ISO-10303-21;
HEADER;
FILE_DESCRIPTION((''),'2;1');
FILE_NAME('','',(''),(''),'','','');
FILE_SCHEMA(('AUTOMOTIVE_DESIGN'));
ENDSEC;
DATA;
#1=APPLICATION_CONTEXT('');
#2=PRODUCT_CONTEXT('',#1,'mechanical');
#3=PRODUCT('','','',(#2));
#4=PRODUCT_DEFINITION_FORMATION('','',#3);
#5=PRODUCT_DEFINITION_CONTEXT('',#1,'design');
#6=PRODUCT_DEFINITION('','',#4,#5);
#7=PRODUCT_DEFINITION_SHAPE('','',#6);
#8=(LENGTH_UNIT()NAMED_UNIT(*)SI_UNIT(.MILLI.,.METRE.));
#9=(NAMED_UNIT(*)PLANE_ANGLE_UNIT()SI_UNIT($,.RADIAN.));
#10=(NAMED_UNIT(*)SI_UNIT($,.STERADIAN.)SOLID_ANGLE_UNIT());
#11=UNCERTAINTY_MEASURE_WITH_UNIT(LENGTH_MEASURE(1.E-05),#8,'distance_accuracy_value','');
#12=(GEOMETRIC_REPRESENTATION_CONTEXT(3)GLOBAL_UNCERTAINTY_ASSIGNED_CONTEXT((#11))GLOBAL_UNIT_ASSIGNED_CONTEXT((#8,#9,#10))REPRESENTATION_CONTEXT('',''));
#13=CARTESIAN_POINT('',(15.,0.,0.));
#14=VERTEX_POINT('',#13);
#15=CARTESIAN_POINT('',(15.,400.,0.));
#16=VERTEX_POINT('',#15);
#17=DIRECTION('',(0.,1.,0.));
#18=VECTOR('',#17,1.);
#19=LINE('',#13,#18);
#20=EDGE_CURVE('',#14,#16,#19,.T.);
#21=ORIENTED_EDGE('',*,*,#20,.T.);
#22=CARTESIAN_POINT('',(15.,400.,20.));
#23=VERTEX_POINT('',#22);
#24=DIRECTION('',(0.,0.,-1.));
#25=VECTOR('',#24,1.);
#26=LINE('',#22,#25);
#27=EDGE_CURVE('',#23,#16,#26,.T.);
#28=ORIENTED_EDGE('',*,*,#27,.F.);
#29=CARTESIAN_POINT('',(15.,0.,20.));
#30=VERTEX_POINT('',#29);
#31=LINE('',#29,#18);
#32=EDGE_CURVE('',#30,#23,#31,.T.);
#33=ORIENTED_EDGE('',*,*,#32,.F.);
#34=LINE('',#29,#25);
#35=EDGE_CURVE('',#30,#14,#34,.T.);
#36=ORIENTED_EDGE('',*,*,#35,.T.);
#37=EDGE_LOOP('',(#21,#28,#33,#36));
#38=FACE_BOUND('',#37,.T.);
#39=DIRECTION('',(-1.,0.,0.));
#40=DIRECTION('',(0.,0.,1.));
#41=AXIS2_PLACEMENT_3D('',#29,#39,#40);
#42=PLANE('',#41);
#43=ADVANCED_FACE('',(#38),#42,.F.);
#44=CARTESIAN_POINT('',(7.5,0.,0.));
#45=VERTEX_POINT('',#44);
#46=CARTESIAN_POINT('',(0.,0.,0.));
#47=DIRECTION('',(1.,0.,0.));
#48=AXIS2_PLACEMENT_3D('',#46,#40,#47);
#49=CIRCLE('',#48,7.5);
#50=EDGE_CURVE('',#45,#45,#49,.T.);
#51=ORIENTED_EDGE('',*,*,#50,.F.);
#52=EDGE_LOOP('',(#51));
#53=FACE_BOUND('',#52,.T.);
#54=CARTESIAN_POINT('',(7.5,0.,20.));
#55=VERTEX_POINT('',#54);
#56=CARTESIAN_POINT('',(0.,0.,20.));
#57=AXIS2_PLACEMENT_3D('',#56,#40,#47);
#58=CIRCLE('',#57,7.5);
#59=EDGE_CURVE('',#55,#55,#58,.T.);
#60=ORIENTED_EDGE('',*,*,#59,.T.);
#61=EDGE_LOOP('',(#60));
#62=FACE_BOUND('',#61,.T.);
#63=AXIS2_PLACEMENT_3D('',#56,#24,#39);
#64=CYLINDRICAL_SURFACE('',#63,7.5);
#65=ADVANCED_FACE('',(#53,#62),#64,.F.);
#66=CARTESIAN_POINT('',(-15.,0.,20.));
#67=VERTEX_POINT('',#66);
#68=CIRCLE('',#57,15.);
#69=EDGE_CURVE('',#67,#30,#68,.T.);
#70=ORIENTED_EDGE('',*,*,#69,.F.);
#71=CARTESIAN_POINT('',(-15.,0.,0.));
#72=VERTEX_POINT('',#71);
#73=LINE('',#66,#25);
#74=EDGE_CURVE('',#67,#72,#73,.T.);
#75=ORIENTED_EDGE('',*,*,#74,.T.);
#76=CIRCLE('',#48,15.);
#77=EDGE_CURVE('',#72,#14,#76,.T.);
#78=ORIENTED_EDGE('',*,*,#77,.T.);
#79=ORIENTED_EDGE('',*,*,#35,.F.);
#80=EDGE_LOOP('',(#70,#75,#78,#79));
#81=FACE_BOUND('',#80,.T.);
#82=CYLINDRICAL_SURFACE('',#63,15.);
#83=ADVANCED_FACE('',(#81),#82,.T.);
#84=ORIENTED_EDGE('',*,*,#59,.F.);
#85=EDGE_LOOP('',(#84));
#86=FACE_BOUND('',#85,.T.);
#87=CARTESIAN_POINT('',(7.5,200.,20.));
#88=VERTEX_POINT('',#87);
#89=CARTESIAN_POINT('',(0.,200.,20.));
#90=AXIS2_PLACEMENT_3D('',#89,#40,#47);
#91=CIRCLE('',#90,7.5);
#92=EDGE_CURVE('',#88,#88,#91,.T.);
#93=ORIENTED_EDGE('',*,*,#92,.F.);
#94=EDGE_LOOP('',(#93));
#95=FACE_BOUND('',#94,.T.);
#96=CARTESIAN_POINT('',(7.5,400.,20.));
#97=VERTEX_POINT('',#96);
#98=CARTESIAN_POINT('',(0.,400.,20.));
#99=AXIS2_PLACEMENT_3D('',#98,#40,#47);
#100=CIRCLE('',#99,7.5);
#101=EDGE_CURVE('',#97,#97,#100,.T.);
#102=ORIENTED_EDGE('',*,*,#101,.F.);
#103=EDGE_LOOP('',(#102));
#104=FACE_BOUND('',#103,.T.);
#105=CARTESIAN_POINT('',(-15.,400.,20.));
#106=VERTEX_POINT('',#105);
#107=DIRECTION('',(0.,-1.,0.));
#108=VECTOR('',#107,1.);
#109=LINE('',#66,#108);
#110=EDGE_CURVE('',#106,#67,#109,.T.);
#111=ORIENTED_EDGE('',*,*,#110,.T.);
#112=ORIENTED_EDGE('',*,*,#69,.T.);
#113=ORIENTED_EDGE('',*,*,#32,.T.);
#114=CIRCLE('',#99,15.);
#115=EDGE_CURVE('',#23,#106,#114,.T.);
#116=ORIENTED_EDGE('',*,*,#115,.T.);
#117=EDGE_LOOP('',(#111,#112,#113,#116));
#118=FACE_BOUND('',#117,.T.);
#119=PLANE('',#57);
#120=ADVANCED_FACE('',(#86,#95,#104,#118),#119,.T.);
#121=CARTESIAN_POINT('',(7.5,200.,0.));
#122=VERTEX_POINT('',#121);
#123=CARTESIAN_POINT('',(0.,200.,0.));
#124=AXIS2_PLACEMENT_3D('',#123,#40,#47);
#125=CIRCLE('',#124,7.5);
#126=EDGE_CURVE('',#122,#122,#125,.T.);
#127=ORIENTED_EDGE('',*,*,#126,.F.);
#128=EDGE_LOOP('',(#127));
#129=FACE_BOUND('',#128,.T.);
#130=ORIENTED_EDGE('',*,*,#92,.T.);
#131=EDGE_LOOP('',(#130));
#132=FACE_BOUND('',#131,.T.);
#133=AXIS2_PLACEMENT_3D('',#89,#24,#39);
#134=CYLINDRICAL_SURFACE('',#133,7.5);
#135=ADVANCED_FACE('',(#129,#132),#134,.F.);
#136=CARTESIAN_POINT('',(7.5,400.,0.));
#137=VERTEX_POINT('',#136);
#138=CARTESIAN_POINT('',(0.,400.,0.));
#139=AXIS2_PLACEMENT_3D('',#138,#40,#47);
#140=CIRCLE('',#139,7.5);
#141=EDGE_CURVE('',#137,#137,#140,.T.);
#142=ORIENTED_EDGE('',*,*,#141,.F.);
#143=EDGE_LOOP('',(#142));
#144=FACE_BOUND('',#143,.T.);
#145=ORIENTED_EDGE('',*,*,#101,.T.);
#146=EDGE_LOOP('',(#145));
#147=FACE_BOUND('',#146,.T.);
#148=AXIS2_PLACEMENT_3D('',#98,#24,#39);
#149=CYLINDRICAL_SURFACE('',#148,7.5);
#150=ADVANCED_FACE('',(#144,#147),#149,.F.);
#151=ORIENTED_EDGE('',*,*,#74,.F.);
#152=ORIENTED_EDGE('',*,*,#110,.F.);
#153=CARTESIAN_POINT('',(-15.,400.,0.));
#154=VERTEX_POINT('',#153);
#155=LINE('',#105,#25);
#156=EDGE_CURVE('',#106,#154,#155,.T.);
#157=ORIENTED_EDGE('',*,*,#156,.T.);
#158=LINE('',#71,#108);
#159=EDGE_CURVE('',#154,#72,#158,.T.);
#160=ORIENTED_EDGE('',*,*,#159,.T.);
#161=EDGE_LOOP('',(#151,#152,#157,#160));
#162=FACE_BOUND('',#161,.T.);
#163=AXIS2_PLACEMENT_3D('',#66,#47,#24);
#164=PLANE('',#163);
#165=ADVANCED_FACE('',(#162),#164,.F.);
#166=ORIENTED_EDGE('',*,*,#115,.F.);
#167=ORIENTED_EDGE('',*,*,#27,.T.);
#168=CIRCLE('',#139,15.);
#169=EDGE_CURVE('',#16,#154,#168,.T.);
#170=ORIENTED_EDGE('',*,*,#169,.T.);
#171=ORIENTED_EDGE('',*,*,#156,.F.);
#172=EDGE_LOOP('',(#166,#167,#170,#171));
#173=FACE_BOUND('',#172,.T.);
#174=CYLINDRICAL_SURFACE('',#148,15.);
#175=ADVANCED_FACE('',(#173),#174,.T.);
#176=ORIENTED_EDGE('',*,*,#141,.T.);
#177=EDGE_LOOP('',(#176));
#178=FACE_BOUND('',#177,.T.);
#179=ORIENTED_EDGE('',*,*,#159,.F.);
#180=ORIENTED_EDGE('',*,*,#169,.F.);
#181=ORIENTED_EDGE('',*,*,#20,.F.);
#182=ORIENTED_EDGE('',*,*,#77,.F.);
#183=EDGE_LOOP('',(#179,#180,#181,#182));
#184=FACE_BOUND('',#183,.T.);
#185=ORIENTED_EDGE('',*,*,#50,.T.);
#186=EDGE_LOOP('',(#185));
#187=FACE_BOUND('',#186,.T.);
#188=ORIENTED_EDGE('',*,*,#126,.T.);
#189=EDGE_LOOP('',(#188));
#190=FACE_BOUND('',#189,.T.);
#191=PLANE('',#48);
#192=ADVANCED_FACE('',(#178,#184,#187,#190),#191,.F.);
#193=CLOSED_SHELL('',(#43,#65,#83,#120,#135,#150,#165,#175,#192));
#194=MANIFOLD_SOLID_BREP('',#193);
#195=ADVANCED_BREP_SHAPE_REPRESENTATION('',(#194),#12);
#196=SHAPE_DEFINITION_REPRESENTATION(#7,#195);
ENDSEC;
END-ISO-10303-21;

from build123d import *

# Parameters (mm, degrees)
CROQUIS1_R              = 7.5
SALIENTE_EXTRUIR1_DEPTH = 20


with BuildPart() as part:
    # Croquis1 → Saliente-Extruir1 (new body)
    with BuildSketch(Plane.XY):
        with BuildLine():
            Line((-15, 0), (-15, 400))
            ThreePointArc((-15, 400), (0, 415), (15, 400))
            Line((15, 400), (15, 0))
            ThreePointArc((15, 0), (0, -15), (-15, 0))
        make_face()
        with Locations((0, 400)):
            Circle(CROQUIS1_R, mode=Mode.SUBTRACT)
        with Locations((0, 200)):
            Circle(CROQUIS1_R, mode=Mode.SUBTRACT)
        Circle(CROQUIS1_R, mode=Mode.SUBTRACT)
    extrude(amount=SALIENTE_EXTRUIR1_DEPTH)


solid = part.part
